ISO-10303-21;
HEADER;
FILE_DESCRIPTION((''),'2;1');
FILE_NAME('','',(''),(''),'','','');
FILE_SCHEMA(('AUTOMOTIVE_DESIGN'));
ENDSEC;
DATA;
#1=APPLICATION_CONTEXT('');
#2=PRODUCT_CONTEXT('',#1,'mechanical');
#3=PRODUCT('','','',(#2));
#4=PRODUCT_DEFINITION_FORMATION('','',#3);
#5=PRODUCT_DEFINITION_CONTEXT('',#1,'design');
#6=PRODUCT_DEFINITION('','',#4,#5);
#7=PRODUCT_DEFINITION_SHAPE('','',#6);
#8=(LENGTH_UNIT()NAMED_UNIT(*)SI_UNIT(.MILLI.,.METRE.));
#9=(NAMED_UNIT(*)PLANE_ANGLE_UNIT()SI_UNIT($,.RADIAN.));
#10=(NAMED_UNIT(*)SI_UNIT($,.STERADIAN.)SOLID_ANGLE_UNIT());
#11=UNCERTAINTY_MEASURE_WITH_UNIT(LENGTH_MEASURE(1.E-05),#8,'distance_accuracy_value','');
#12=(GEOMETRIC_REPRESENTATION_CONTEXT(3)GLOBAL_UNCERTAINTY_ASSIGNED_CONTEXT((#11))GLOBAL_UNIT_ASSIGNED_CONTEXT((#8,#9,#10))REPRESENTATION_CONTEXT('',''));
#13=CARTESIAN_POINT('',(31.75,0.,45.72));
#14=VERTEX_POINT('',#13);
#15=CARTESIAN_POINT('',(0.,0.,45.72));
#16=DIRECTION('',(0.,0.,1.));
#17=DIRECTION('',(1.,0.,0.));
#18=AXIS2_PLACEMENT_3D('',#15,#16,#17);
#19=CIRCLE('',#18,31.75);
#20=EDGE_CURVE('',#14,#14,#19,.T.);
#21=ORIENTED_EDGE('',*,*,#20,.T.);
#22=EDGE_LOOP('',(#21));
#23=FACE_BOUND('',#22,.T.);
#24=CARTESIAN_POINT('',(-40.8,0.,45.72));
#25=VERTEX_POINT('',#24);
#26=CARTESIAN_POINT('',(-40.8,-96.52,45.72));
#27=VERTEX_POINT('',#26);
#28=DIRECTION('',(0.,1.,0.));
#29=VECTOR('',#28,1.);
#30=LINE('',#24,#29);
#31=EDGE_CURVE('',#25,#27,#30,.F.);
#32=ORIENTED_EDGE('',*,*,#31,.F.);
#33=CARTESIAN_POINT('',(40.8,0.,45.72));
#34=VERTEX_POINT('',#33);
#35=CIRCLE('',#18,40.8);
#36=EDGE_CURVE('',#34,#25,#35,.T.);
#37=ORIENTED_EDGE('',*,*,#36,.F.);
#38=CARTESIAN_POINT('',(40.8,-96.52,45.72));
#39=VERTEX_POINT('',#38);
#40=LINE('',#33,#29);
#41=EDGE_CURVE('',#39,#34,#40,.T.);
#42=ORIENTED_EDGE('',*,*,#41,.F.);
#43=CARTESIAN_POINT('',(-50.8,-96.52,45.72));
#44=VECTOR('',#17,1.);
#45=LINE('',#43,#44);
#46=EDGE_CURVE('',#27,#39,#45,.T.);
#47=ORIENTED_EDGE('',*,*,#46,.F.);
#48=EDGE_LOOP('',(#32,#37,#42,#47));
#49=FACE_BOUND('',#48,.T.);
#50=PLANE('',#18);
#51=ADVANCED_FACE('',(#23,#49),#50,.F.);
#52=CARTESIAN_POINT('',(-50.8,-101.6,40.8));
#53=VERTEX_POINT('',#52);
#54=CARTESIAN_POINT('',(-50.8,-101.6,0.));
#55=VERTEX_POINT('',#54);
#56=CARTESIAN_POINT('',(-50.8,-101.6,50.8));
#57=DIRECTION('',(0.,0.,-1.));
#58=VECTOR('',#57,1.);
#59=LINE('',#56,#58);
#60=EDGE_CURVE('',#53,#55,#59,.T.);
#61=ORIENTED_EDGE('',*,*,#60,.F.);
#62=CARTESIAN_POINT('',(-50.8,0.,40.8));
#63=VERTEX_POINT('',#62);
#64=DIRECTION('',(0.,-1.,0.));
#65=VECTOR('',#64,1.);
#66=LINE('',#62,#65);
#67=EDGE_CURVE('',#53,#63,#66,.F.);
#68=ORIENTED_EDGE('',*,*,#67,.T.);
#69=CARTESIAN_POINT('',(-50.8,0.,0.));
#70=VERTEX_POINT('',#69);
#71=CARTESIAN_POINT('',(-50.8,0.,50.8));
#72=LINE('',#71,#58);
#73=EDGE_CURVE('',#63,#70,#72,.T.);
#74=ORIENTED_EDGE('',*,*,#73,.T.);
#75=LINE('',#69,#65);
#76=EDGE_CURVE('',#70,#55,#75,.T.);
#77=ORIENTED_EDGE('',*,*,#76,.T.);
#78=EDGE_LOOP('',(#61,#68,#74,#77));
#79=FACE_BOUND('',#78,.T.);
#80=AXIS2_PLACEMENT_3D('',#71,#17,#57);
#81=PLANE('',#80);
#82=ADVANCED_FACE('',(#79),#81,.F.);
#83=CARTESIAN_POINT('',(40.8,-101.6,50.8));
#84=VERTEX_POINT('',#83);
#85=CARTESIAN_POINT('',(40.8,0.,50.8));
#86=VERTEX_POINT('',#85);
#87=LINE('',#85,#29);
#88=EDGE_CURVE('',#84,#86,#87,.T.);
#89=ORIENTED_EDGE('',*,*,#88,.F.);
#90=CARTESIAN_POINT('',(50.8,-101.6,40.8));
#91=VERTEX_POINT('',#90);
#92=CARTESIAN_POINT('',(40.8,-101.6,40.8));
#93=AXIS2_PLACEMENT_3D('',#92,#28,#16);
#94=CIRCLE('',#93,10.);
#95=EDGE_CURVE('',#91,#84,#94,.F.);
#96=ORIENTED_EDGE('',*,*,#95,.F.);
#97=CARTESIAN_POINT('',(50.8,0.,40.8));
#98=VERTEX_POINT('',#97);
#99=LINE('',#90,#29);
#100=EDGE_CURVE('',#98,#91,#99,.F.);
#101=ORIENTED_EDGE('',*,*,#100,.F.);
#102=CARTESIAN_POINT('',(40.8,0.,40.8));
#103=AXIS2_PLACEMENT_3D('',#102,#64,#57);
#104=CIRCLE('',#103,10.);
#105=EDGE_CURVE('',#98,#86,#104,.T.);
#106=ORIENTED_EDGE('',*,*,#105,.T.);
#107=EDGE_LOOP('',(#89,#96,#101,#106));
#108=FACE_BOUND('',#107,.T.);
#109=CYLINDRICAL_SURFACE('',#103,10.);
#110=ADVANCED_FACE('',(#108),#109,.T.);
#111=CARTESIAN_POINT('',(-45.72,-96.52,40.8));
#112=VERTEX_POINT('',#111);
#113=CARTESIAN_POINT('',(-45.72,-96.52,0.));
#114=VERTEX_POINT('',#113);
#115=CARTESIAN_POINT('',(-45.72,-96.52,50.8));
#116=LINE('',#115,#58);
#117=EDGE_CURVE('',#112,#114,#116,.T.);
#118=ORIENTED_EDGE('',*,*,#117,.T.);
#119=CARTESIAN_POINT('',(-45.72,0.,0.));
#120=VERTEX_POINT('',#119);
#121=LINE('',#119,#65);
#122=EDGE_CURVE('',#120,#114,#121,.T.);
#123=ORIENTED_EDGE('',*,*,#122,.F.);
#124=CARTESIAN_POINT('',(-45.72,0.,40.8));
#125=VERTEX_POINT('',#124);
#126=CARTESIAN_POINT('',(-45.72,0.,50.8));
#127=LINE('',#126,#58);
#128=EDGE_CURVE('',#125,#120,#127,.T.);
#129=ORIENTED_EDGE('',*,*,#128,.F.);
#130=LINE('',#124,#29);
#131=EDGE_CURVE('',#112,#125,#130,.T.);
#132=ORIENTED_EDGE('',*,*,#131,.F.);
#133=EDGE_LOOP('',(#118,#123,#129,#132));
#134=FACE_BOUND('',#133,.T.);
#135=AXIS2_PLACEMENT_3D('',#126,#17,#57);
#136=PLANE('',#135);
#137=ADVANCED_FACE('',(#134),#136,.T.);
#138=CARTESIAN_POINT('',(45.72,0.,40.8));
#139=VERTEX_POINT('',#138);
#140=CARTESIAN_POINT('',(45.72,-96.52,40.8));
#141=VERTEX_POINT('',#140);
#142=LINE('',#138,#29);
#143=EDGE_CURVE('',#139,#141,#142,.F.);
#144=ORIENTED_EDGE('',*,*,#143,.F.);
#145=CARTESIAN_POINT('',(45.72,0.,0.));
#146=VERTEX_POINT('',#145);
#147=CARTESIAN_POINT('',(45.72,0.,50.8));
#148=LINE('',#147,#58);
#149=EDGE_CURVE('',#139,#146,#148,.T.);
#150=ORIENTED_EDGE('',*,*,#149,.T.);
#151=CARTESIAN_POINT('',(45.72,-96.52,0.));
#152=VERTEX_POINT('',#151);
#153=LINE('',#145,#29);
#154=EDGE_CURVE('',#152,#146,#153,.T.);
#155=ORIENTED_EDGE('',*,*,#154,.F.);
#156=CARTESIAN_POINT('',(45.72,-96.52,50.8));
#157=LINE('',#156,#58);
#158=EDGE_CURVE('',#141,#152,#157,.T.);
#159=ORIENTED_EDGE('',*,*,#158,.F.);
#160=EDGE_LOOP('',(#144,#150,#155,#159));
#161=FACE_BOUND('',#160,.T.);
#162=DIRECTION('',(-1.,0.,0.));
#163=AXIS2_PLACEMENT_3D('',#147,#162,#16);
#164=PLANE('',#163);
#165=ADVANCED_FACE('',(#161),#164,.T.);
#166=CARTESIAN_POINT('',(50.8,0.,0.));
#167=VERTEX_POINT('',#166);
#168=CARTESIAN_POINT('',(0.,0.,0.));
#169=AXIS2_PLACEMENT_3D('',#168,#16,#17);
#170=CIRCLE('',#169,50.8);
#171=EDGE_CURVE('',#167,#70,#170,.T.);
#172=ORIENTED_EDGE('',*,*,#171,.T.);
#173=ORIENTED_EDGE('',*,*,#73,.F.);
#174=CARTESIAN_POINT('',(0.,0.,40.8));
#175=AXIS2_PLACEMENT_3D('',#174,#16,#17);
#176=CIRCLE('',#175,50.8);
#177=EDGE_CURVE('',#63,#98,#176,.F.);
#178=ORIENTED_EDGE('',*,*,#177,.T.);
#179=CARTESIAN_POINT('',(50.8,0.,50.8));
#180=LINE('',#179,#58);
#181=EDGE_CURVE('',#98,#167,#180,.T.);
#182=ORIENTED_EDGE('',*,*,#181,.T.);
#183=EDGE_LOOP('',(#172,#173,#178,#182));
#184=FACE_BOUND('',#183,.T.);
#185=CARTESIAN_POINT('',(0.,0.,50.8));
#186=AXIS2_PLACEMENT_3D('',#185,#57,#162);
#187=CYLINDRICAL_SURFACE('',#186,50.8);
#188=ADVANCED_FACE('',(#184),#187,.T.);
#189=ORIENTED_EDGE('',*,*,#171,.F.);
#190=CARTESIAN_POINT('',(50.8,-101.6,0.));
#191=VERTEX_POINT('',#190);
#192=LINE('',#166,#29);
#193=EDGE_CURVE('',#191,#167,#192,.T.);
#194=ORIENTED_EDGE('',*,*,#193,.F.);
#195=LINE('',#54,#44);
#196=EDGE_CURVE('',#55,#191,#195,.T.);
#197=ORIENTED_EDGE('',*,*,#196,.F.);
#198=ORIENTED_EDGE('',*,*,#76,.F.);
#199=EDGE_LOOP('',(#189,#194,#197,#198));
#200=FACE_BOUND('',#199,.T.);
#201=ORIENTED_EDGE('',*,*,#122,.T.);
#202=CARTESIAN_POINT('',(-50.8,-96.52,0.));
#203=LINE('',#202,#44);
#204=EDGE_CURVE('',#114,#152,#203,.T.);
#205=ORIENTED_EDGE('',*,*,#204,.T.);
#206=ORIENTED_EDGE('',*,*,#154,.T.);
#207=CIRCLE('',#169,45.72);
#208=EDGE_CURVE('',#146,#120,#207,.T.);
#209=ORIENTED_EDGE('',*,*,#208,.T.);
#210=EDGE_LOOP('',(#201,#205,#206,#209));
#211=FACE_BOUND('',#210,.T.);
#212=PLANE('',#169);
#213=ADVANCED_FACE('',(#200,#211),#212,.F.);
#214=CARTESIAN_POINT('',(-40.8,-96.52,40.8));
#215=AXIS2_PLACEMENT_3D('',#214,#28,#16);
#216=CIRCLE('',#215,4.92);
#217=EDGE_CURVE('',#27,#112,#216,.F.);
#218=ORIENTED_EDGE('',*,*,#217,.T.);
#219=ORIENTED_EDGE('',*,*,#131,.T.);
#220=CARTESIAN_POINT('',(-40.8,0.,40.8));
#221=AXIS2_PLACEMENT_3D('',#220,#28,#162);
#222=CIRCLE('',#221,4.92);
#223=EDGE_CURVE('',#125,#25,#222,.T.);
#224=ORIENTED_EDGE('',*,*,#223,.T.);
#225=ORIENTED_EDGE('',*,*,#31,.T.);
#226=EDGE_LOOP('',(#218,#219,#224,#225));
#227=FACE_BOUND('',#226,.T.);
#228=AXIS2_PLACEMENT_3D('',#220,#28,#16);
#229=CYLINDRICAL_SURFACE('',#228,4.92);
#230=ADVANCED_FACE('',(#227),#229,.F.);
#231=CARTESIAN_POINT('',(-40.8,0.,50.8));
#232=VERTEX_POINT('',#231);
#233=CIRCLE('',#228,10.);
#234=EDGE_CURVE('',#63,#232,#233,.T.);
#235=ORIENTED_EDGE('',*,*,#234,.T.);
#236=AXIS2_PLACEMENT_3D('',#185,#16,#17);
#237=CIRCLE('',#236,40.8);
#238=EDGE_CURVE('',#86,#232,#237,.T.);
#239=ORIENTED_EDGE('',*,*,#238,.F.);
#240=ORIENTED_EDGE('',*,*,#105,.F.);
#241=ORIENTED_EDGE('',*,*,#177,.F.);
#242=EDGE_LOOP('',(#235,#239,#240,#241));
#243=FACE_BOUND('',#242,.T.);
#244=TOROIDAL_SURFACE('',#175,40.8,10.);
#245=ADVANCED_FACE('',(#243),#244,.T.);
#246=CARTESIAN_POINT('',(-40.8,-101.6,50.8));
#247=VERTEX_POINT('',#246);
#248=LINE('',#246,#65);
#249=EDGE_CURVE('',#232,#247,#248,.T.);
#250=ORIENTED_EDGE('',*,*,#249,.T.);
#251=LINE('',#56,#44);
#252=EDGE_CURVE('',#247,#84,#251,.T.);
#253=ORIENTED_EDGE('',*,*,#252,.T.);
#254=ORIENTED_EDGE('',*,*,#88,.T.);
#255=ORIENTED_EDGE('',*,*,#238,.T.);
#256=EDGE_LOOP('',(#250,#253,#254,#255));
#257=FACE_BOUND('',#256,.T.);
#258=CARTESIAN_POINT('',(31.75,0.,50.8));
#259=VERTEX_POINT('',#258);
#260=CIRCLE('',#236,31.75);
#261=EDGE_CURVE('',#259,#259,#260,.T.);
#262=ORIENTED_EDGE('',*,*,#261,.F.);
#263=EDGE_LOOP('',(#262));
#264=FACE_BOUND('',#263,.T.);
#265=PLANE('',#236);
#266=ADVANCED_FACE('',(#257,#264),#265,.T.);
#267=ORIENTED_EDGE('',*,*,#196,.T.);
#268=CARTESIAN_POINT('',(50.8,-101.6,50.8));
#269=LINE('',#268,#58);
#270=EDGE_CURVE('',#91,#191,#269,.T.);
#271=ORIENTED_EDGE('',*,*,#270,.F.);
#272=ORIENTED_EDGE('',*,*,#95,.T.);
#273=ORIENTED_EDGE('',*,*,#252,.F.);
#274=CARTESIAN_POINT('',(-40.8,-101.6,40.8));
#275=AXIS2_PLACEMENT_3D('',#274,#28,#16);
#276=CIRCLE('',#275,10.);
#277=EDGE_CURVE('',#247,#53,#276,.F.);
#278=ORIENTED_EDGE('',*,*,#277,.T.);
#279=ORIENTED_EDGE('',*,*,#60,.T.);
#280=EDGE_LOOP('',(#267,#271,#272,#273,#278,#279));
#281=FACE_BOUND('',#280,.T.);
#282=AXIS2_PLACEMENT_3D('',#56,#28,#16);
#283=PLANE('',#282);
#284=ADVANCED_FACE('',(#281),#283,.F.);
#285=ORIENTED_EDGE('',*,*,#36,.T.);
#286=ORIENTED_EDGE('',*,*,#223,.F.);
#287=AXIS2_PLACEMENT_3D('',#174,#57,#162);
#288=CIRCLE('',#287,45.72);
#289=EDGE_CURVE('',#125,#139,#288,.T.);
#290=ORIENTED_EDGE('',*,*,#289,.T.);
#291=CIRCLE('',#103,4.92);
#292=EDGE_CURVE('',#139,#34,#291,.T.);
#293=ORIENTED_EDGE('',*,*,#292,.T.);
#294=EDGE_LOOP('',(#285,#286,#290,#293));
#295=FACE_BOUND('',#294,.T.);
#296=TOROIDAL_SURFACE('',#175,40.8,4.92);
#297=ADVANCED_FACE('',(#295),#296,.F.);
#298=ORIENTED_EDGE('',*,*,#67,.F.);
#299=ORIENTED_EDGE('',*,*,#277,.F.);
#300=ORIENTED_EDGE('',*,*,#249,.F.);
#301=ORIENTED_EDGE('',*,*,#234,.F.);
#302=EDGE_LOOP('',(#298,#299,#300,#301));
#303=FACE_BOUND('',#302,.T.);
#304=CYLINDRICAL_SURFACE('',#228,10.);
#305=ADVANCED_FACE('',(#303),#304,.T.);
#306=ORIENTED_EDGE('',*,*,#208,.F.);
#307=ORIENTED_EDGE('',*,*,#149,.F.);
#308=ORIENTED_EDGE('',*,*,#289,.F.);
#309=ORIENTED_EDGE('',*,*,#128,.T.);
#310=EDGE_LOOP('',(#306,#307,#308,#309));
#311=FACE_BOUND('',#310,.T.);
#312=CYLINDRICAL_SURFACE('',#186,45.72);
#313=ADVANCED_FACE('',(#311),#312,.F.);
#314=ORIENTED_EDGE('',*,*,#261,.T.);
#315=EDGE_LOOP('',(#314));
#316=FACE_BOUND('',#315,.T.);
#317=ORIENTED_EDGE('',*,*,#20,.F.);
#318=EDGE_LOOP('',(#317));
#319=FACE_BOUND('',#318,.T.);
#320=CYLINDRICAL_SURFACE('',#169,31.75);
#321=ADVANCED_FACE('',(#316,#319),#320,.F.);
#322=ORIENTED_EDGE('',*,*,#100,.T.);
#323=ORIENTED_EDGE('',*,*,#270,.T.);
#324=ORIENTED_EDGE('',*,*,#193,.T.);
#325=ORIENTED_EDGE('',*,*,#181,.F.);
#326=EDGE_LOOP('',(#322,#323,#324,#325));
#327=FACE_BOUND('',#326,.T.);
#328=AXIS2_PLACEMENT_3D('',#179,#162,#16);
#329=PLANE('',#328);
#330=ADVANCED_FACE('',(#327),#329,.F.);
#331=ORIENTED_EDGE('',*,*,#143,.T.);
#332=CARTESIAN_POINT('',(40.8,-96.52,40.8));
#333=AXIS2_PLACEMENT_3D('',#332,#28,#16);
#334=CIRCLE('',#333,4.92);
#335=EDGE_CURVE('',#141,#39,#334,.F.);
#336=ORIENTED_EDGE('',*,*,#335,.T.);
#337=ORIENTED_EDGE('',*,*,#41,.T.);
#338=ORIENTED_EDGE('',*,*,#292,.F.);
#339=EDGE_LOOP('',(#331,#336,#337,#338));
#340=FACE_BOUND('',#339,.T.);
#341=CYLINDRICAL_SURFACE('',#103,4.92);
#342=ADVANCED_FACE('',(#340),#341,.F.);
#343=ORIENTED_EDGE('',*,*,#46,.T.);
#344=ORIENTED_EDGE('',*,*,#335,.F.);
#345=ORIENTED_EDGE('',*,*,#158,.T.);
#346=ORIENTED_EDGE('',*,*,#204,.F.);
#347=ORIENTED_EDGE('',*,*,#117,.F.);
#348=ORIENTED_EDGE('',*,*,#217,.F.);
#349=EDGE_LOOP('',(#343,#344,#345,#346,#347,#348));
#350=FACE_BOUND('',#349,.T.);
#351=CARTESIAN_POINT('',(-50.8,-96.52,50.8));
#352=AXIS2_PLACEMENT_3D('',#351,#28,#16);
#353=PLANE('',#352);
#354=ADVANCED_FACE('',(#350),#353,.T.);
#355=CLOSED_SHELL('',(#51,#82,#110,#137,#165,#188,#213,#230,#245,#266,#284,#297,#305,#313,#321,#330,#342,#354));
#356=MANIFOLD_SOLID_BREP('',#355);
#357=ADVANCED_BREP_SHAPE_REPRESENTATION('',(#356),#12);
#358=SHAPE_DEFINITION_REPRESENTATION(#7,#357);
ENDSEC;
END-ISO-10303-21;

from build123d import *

# Parameters (mm, degrees)
BOSS_EXTRUDE1_DEPTH = 50.8
FILLET1_R           = 10
SHELL1_T            = -5.08
SKETCH3_R           = 31.75
CUT_EXTRUDE2_DEPTH  = 125.434078933


with BuildPart() as part:
    # Sketch2 → Boss-Extrude1 (new body)
    with BuildSketch(Plane.XY):
        with BuildLine():
            Line((-50.8, 0), (-50.8, -101.6))
            Line((-50.8, -101.6), (50.8, -101.6))
            Line((50.8, -101.6), (50.8, 0))
            ThreePointArc((50.8, 0), (0, 50.8), (-50.8, 0))
        make_face()
    extrude(amount=BOSS_EXTRUDE1_DEPTH)

    # Fillet1
    fillet1_edges = [part.edges().sort_by_distance(p)[0] for p in [
        (50.8, -50.8, 50.8),
        (0, 50.8, 50.8),
        (-50.8, -50.8, 50.8),
    ]]
    fillet(fillet1_edges, radius=FILLET1_R)

    # Shell1
    shell1_openings = [part.faces().sort_by_distance(p)[0] for p in [
        (0, -30.396611795, 0),
    ]]
    offset(amount=SHELL1_T, openings=shell1_openings, kind=Kind.INTERSECTION)

    # Sketch3 → Cut-Extrude2 (cut, through all)
    with BuildSketch(Plane.XY.offset(50.8)):
        Circle(SKETCH3_R)
    extrude(amount=-CUT_EXTRUDE2_DEPTH, mode=Mode.SUBTRACT)


solid = part.part
